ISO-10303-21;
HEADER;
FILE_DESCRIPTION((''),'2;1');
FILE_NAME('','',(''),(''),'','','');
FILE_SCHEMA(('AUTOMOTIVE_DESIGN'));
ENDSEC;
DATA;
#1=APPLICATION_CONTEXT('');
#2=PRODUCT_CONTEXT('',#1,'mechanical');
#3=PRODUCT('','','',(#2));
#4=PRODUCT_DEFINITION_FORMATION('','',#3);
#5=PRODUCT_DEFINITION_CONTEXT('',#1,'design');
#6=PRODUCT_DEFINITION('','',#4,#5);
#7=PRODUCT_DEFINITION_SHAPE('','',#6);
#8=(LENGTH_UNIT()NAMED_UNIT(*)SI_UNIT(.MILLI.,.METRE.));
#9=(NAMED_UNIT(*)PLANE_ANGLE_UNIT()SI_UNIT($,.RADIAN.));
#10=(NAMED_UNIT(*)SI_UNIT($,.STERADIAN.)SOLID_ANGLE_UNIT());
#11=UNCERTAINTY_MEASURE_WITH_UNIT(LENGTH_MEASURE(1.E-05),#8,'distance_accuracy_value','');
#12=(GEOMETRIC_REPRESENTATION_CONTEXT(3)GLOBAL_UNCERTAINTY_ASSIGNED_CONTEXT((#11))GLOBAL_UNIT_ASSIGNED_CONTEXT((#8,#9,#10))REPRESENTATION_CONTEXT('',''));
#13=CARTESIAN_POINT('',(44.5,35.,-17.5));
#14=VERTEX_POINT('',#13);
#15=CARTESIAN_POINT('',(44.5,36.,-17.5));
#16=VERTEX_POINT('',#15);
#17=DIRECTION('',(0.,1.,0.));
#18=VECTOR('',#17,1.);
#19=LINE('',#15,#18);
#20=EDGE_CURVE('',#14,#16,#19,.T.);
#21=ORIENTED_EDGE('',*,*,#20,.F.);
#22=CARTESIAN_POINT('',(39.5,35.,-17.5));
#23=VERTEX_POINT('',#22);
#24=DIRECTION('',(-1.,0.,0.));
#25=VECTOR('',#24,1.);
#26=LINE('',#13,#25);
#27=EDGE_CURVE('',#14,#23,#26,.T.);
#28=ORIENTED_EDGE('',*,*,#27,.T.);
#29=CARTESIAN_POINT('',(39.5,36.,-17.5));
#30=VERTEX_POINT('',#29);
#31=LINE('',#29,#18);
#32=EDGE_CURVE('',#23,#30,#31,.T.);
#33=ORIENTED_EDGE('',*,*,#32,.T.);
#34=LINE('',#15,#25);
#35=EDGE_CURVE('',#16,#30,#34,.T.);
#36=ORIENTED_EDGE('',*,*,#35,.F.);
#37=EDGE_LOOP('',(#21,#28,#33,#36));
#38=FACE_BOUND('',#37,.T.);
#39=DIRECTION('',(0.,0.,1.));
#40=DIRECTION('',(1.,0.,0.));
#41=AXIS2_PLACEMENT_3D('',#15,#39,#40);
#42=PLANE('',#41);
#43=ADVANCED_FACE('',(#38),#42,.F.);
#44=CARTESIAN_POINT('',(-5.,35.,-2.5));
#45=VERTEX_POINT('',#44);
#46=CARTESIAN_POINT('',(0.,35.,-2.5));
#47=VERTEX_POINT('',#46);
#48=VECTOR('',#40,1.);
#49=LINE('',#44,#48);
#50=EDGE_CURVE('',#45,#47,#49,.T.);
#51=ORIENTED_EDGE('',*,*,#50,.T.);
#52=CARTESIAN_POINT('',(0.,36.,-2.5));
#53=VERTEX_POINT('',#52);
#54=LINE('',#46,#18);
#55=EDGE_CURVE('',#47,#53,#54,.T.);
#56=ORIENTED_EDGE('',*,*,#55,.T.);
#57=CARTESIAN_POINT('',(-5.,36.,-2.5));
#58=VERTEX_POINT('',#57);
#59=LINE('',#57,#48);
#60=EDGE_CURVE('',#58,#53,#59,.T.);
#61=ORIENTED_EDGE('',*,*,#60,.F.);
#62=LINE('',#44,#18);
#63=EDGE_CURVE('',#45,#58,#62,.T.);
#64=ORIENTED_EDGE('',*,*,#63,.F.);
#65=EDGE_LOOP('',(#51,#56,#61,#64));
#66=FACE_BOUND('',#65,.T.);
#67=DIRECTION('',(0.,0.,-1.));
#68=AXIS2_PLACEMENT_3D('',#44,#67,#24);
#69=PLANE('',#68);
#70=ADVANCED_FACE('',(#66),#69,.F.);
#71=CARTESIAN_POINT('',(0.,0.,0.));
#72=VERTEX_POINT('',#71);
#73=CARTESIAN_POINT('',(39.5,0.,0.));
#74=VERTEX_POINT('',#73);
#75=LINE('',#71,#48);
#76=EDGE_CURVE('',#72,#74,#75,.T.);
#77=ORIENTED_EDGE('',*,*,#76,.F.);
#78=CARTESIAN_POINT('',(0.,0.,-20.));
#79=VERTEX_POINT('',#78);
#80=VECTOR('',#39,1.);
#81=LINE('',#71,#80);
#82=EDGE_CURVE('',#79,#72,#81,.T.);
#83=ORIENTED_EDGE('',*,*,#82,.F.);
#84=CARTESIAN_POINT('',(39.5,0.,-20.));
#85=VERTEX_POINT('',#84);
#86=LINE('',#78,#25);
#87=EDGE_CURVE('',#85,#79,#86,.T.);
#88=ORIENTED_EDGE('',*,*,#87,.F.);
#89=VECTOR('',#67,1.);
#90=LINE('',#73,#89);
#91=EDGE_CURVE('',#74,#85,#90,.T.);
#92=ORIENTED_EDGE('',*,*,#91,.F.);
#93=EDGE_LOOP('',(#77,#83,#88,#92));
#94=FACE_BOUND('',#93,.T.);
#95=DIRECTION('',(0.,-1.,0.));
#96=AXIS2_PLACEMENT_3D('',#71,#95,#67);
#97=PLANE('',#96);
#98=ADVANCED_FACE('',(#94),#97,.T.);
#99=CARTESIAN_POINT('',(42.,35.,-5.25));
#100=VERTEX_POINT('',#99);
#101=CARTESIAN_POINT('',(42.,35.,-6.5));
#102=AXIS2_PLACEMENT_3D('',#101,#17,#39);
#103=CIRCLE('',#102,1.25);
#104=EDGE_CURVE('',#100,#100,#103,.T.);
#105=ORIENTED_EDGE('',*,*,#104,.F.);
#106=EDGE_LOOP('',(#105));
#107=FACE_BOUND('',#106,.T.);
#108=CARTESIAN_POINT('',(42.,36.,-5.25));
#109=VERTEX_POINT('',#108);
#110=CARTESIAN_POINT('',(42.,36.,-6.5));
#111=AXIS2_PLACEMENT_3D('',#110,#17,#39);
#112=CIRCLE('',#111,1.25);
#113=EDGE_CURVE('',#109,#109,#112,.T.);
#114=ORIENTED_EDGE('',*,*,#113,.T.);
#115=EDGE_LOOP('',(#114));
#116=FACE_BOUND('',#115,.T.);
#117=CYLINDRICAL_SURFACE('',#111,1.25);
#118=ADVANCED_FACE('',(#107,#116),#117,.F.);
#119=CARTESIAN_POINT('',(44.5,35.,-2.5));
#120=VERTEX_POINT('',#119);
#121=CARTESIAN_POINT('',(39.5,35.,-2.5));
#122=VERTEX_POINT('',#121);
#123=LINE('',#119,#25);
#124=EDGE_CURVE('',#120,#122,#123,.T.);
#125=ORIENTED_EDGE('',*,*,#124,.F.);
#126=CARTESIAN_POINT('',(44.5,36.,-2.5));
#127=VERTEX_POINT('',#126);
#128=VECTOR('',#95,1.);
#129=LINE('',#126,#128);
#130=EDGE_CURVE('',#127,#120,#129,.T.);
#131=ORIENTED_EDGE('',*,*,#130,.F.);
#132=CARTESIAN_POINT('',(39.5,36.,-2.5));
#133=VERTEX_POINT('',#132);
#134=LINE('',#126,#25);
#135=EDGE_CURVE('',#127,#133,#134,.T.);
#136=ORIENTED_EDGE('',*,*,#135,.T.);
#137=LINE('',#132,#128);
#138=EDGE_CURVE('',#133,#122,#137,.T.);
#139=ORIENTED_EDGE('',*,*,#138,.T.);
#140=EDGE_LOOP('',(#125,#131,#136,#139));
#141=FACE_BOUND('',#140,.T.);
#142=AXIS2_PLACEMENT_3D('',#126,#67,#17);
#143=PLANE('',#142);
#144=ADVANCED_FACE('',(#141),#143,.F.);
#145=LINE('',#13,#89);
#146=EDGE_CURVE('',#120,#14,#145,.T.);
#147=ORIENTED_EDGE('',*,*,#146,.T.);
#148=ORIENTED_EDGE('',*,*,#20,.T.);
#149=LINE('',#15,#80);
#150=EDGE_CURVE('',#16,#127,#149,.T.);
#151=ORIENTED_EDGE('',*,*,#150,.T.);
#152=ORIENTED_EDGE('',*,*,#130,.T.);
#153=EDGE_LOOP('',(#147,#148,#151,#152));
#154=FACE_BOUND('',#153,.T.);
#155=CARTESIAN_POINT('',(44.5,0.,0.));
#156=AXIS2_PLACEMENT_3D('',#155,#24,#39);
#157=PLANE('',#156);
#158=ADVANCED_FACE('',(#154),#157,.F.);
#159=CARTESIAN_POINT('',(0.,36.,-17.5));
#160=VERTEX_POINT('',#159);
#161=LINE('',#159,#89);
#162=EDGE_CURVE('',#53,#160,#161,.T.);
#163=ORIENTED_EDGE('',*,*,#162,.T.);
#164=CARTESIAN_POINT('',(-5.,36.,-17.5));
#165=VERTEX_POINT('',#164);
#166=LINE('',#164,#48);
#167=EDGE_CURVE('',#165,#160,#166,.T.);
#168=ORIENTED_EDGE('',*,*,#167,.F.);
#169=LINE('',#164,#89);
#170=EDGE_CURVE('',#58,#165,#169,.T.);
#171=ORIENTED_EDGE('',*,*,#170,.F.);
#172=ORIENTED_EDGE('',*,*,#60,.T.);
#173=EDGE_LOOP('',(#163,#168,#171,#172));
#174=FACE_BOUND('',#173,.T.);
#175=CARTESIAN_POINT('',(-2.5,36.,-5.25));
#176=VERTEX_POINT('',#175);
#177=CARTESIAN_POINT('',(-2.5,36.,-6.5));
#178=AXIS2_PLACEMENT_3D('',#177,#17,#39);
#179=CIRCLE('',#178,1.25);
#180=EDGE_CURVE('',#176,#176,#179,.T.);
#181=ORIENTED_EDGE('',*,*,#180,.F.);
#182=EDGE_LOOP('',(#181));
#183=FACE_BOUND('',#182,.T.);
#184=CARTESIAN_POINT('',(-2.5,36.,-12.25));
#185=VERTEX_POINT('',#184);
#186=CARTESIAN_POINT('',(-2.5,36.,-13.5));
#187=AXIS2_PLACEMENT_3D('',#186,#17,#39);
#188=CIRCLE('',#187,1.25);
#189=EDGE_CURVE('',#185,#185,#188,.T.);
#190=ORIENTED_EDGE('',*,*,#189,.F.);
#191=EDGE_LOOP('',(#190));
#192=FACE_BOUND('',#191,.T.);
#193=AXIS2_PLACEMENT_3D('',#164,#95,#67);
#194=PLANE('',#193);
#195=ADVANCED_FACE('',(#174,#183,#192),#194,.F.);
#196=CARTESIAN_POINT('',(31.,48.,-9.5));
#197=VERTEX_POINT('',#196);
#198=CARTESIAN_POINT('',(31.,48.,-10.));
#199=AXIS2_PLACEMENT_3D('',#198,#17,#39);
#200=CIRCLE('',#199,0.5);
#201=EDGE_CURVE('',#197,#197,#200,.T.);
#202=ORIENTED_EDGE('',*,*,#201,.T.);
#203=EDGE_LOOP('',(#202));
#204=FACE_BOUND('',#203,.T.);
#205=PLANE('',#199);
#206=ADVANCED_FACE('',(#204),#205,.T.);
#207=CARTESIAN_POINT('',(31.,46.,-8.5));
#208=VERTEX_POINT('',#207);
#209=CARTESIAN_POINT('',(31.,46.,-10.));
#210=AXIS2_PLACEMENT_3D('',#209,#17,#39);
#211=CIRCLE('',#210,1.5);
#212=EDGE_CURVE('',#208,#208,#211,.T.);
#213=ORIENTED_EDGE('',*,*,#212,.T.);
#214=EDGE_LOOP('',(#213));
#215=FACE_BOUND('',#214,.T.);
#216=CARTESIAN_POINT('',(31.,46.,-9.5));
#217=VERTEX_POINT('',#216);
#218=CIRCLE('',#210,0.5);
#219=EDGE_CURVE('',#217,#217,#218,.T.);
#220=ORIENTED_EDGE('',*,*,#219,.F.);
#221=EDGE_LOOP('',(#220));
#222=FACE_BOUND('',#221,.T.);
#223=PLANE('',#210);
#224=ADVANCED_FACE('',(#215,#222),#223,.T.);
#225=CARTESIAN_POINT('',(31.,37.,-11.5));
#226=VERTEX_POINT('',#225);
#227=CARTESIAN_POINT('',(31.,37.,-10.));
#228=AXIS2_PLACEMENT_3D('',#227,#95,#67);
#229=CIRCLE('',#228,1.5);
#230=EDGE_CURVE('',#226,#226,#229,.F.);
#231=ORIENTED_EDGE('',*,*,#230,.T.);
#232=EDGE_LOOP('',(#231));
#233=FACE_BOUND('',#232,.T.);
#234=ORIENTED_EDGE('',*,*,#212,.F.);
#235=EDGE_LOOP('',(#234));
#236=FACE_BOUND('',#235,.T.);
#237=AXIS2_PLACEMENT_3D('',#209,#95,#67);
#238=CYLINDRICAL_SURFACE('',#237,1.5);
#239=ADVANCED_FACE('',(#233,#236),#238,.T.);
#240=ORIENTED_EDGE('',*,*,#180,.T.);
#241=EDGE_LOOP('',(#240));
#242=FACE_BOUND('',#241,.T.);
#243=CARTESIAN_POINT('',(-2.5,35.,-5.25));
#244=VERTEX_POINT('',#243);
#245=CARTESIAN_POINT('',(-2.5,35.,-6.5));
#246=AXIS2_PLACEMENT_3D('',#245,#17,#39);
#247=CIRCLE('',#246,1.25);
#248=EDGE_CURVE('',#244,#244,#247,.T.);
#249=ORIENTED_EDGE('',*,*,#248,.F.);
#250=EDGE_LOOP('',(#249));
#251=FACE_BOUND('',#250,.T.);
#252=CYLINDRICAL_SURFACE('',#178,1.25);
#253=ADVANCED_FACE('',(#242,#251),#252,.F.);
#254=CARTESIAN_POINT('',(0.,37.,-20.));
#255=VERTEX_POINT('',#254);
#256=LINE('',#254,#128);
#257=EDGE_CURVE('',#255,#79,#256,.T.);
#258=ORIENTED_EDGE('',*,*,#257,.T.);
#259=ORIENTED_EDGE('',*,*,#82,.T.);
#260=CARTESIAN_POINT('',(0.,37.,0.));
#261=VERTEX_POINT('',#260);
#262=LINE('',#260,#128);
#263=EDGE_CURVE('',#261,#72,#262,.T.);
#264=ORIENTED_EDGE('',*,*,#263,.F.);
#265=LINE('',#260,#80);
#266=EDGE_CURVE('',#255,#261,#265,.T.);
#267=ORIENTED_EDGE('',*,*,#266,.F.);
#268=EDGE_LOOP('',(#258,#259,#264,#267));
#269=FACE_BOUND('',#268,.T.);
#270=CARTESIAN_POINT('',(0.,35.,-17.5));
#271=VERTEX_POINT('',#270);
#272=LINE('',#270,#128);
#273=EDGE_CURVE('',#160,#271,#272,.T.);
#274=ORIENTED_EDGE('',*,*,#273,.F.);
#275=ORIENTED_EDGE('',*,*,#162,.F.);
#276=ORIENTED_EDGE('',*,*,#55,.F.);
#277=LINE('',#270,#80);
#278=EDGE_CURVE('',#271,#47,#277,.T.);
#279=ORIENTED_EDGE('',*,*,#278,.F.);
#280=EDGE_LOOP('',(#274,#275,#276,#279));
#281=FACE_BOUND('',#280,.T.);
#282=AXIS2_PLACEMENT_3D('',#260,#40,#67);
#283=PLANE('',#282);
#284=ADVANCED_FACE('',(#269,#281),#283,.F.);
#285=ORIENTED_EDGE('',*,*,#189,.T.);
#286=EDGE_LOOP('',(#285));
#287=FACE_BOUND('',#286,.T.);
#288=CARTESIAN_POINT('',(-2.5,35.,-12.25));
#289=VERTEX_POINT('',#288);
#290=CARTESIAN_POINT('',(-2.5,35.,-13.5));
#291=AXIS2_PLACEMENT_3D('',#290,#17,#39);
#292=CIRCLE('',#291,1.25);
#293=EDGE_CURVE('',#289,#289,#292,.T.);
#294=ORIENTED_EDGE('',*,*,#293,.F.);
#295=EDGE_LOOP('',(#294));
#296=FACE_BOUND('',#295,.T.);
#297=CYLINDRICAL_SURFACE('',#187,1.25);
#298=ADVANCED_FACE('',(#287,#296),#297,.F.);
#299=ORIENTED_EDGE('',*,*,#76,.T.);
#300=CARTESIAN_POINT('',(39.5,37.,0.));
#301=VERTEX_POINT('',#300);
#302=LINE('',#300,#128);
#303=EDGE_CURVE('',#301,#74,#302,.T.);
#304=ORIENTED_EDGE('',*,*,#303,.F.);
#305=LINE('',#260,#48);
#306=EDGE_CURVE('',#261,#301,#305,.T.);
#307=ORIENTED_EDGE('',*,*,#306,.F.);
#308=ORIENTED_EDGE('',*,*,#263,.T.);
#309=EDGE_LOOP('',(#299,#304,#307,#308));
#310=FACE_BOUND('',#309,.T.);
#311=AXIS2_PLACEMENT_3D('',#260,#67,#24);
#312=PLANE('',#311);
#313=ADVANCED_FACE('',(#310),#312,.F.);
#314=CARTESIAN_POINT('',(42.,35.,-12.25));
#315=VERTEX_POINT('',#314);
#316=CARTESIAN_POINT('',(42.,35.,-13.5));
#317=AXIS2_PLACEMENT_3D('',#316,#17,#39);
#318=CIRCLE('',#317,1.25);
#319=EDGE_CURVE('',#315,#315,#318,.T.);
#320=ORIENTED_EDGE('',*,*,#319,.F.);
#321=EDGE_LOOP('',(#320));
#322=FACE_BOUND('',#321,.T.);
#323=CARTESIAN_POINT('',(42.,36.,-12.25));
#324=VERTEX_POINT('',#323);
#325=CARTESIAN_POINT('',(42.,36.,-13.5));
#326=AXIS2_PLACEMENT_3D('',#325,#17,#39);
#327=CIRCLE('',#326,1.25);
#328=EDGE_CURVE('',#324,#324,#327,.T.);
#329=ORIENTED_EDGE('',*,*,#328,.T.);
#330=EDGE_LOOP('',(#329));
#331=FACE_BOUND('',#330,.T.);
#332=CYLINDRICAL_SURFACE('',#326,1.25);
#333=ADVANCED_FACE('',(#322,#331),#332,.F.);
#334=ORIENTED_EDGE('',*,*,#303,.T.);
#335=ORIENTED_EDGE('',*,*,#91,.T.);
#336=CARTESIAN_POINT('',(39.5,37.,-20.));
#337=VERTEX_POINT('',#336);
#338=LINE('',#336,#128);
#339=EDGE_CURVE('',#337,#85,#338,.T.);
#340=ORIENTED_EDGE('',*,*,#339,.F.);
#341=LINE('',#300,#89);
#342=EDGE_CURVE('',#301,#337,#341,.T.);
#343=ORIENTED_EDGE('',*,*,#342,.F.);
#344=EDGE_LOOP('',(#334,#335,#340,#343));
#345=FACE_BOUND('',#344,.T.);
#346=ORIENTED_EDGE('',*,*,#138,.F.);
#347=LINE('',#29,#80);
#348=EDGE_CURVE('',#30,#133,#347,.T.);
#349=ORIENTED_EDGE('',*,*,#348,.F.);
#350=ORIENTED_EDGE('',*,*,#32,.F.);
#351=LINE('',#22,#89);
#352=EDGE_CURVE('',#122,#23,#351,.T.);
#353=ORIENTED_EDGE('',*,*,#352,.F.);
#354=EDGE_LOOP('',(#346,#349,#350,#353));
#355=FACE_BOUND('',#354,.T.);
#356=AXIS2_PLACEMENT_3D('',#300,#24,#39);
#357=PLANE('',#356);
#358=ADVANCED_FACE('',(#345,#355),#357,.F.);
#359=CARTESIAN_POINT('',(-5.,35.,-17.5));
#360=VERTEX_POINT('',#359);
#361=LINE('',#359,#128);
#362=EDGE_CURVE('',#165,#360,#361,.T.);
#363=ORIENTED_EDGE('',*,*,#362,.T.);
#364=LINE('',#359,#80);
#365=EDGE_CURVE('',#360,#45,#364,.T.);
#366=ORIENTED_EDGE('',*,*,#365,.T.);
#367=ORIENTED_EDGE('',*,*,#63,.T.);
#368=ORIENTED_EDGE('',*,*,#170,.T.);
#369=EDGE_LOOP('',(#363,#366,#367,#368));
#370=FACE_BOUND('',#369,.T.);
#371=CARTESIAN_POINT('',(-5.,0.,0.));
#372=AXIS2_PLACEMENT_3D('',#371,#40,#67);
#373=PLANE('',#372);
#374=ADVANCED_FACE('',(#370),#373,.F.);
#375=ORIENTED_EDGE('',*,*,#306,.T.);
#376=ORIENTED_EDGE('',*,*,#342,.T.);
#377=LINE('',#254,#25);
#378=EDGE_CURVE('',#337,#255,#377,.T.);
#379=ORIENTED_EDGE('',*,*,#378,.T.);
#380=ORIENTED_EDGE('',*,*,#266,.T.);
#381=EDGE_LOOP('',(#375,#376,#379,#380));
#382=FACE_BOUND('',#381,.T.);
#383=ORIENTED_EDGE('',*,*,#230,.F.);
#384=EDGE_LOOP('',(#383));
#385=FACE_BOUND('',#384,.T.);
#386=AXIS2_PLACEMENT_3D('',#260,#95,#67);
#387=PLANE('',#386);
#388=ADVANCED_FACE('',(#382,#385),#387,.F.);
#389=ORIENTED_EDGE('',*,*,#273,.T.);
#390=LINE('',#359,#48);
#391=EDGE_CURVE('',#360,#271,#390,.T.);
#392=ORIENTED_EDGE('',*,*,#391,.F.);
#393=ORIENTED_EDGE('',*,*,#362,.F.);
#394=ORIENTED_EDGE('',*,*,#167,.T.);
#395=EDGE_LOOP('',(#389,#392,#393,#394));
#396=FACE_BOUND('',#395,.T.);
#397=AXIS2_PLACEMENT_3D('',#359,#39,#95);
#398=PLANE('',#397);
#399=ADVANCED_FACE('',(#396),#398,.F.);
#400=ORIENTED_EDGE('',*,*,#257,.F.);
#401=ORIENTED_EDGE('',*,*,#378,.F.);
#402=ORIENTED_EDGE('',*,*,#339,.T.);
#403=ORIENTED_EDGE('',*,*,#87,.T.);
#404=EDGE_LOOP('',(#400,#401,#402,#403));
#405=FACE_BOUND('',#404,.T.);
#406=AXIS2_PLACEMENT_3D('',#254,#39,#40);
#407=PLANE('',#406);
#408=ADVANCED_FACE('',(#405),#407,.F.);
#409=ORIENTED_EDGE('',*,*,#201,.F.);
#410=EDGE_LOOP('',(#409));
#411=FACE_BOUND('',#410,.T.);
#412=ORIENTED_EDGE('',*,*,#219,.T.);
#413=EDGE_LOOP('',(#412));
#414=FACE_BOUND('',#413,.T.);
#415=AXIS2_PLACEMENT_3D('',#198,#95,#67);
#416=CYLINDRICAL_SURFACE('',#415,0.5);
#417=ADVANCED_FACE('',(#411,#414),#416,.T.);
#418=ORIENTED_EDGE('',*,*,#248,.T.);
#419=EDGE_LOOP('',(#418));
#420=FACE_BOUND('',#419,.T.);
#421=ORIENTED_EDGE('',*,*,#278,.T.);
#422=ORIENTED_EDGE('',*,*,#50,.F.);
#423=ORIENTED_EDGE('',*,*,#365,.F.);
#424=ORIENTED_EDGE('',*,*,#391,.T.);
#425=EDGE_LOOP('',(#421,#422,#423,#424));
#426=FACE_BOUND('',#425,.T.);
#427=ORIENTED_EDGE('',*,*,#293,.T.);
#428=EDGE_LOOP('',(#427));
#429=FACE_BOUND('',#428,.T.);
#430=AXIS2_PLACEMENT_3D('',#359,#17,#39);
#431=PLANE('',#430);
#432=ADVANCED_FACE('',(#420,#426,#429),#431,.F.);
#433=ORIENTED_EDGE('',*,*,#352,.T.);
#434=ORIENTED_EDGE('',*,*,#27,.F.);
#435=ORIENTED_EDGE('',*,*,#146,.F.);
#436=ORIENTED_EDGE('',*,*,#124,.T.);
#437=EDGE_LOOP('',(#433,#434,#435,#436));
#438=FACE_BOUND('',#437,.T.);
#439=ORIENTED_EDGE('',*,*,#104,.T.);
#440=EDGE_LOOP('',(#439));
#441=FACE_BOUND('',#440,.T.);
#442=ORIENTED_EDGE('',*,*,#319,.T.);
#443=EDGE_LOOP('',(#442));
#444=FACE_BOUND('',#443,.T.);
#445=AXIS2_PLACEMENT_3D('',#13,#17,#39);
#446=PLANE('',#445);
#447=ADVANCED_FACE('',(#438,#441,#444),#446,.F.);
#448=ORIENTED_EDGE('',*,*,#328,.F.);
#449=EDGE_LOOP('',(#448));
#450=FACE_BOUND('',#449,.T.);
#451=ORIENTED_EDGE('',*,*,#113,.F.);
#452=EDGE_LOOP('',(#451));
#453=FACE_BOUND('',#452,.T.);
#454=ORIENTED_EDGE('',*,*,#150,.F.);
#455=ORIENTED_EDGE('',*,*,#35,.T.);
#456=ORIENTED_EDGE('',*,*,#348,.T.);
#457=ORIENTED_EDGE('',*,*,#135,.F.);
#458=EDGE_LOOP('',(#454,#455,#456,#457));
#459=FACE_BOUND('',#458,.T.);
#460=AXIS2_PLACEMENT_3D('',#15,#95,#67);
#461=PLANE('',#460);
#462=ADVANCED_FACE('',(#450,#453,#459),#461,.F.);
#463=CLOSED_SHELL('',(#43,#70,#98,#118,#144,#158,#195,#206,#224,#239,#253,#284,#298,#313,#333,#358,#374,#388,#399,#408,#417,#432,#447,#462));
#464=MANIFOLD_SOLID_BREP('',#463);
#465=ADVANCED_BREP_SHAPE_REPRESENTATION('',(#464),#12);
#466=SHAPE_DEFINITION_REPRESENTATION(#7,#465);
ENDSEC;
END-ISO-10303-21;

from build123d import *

# Parameters (mm, degrees)
SKETCH_1_W      = 39.5
SKETCH_1_H      = 20
EXTRUDE_1_DEPTH = 37
SKETCH_2_R      = 1.5
EXTRUDE_2_DEPTH = 9
SKETCH_14_W     = 15
SKETCH_14_H     = 1
EXTRUDE_5_DEPTH = 5
SKETCH_15_W     = 15
SKETCH_15_H     = 1
EXTRUDE_6_DEPTH = 5
M3X0_5_1_D      = 2.5
M3X0_5_1_DEPTH  = 8.5
M3X0_5_1_TIP    = 0.751075774
SKETCH_3_R      = 0.5
EXTRUDE_7_DEPTH = 2


with BuildPart() as part:
    # ｽｹｯﾁ1 → ﾎﾞｽ - 押し出し1 (new body)
    with BuildSketch(Plane(origin=(0, 0, 0), x_dir=(1, 0, 0), z_dir=(0, 1, 0))):
        with Locations((19.75, 10)):
            Rectangle(SKETCH_1_W, SKETCH_1_H)
    extrude(amount=EXTRUDE_1_DEPTH)

    # ｽｹｯﾁ2 → ﾎﾞｽ - 押し出し2 (add)
    with BuildSketch(Plane(origin=(0, 37, 0), x_dir=(1, 0, 0), z_dir=(0, 1, 0))):
        with Locations(Location((31, 10, 0), (0, 0, 90))):
            Circle(SKETCH_2_R)
    extrude(amount=EXTRUDE_2_DEPTH)

    # ｽｹｯﾁ14 → ﾎﾞｽ - 押し出し5 (add)
    with BuildSketch(Plane(origin=(39.5, 0, 0), x_dir=(0, 0, -1), z_dir=(1, 0, 0))):
        with Locations((10, 35.5)):
            Rectangle(SKETCH_14_W, SKETCH_14_H)
    extrude(amount=EXTRUDE_5_DEPTH)

    # ｽｹｯﾁ15 → ﾎﾞｽ - 押し出し6 (add)
    with BuildSketch(Plane.ZY):
        with Locations((-10, 35.5)):
            Rectangle(SKETCH_15_W, SKETCH_15_H)
    extrude(amount=EXTRUDE_6_DEPTH)

    # M3x0.5 ねじ穴1
    with Locations(Plane(origin=(0, 36, 0), x_dir=(1, 0, 0), z_dir=(0, 1, 0))):
        with Locations((-2.5, 13.5), (-2.5, 6.5), (42, 6.5), (42, 13.5)):
            Hole(M3X0_5_1_D / 2, depth=M3X0_5_1_DEPTH)
            with Locations((0, 0, -(M3X0_5_1_DEPTH + M3X0_5_1_TIP / 2))):  # 118° drill point
                Cone(0, M3X0_5_1_D / 2, M3X0_5_1_TIP, mode=Mode.SUBTRACT)

    # ｽｹｯﾁ3 → ﾎﾞｽ - 押し出し7 (add)
    with BuildSketch(Plane(origin=(0, 46, 0), x_dir=(1, 0, 0), z_dir=(0, 1, 0))):
        with Locations(Location((31, 10, 0), (0, 0, 270))):
            Circle(SKETCH_3_R)
    extrude(amount=EXTRUDE_7_DEPTH)


solid = part.part
